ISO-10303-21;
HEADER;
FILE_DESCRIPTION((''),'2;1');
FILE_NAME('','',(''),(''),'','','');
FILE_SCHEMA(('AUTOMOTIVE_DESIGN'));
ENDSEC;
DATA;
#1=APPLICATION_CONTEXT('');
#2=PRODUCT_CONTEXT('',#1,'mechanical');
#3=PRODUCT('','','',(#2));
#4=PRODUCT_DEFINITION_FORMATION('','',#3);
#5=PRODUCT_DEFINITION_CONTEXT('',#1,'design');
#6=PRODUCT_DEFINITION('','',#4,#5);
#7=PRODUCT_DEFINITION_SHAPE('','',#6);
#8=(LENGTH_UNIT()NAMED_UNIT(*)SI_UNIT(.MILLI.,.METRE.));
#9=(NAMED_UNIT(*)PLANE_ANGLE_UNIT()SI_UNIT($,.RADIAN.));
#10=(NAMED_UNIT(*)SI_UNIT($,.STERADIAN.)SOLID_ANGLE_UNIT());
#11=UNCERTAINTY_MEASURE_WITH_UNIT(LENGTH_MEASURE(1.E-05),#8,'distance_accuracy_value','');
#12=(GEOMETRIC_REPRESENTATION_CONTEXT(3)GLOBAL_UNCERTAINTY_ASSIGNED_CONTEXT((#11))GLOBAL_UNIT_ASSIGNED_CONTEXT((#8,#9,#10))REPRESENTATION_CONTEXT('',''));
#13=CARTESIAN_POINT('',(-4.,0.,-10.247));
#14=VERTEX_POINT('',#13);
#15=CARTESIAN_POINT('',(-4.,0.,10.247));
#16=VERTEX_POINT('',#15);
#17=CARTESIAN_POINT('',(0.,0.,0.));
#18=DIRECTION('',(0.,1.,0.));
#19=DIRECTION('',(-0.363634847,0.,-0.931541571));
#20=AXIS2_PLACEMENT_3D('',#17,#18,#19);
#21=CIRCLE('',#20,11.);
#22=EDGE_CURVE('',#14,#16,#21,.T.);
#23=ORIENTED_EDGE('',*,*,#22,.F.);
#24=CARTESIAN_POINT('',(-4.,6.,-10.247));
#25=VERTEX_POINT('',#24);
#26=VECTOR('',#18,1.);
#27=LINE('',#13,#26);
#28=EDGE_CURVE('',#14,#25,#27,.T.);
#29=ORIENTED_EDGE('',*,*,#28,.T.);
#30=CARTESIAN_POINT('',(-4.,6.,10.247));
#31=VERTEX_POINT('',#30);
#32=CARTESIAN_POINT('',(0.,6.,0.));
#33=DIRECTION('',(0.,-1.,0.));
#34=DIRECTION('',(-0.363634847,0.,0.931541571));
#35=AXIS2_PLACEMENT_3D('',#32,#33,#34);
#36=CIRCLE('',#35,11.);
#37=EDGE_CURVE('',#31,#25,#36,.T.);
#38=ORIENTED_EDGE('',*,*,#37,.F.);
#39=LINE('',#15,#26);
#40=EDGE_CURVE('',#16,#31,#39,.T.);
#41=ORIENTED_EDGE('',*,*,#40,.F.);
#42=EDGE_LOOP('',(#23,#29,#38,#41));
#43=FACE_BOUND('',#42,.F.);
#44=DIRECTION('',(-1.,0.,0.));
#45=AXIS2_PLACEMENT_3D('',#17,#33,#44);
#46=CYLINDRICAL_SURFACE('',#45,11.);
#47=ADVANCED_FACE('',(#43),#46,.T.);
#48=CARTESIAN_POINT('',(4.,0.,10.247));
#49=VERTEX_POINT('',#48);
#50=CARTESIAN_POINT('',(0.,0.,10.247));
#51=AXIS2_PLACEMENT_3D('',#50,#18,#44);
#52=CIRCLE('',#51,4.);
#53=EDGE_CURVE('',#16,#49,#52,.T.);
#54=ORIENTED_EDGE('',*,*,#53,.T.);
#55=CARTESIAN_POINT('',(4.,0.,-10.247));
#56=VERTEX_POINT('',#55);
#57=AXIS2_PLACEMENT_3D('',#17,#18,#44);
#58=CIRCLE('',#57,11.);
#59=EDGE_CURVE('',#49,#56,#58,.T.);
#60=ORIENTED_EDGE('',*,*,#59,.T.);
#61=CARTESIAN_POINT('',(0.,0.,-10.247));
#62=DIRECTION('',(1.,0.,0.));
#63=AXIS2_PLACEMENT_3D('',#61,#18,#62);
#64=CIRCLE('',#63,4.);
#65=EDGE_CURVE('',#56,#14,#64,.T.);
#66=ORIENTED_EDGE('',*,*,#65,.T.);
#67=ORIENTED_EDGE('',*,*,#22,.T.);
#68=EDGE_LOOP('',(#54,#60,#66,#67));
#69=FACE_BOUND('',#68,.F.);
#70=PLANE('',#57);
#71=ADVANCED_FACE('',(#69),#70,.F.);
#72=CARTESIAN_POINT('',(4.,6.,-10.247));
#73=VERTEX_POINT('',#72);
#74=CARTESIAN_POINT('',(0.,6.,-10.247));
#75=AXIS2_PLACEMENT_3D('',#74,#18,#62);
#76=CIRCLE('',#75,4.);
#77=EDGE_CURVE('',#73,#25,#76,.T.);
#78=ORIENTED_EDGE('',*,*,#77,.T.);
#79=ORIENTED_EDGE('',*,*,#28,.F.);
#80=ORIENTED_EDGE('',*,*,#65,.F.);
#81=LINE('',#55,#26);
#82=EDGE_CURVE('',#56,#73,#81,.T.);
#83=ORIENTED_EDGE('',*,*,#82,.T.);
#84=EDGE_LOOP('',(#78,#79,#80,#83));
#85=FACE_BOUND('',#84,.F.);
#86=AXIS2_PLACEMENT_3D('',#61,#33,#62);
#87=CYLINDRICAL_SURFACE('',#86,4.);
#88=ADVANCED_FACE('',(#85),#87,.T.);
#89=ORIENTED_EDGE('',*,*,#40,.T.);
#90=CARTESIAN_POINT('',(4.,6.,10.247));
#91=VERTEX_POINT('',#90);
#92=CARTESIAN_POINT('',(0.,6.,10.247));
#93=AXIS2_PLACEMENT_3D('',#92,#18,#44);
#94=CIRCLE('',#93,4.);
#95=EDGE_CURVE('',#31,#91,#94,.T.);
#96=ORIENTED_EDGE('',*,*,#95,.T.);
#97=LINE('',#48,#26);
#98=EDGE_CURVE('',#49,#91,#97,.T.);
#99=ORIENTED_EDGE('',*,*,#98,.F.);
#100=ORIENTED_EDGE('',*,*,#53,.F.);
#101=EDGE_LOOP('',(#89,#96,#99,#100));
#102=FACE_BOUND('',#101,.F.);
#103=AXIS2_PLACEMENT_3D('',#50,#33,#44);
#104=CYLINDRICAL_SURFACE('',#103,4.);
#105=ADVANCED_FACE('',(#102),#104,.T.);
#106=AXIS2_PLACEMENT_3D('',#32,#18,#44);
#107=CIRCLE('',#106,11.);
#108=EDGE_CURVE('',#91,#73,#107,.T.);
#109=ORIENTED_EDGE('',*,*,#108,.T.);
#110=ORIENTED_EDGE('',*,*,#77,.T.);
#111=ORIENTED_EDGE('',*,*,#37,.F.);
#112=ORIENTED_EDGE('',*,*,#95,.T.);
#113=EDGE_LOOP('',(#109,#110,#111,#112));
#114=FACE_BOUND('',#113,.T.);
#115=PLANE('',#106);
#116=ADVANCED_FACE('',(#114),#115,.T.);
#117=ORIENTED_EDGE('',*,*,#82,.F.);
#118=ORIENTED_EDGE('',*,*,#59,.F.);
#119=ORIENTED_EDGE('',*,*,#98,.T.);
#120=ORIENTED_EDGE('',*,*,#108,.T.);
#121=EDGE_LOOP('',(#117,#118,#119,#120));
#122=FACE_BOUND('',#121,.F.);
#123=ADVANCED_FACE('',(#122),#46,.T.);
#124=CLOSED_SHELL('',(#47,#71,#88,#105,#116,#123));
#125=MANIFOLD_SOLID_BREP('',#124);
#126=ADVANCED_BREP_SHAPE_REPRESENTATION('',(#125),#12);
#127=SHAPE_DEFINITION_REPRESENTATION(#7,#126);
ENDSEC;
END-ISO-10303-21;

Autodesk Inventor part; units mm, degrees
ref_plane "YZ Plane" through (0, 0, 0) normal (1, 0, 0) x (0, 1, 0)
ref_plane "XZ Plane" through (0, 0, 0) normal (0, 1, 0) x (-1, 0, 0)
ref_plane "XY Plane" through (0, 0, 0) normal (0, 0, 1) x (1, 0, 0)
sketch "Sketch1" plane through (0, 0, 0) normal (0, 1, 0) x (-1, 0, 0)
  circle A0 centre (0, 0) radius 11
  arc A1 (4, 10.247) -> (-4, 10.247) centre (0, 10.247) ccw
  arc A2 (-4, -10.247) -> (4, -10.247) centre (0, -10.247) ccw
  dimension "d0" = 22
  dimension "d1" = 4
extrude "Extrusion1" add sketch "Sketch1" along normal blind 6
properties part number "buttons_battery"
